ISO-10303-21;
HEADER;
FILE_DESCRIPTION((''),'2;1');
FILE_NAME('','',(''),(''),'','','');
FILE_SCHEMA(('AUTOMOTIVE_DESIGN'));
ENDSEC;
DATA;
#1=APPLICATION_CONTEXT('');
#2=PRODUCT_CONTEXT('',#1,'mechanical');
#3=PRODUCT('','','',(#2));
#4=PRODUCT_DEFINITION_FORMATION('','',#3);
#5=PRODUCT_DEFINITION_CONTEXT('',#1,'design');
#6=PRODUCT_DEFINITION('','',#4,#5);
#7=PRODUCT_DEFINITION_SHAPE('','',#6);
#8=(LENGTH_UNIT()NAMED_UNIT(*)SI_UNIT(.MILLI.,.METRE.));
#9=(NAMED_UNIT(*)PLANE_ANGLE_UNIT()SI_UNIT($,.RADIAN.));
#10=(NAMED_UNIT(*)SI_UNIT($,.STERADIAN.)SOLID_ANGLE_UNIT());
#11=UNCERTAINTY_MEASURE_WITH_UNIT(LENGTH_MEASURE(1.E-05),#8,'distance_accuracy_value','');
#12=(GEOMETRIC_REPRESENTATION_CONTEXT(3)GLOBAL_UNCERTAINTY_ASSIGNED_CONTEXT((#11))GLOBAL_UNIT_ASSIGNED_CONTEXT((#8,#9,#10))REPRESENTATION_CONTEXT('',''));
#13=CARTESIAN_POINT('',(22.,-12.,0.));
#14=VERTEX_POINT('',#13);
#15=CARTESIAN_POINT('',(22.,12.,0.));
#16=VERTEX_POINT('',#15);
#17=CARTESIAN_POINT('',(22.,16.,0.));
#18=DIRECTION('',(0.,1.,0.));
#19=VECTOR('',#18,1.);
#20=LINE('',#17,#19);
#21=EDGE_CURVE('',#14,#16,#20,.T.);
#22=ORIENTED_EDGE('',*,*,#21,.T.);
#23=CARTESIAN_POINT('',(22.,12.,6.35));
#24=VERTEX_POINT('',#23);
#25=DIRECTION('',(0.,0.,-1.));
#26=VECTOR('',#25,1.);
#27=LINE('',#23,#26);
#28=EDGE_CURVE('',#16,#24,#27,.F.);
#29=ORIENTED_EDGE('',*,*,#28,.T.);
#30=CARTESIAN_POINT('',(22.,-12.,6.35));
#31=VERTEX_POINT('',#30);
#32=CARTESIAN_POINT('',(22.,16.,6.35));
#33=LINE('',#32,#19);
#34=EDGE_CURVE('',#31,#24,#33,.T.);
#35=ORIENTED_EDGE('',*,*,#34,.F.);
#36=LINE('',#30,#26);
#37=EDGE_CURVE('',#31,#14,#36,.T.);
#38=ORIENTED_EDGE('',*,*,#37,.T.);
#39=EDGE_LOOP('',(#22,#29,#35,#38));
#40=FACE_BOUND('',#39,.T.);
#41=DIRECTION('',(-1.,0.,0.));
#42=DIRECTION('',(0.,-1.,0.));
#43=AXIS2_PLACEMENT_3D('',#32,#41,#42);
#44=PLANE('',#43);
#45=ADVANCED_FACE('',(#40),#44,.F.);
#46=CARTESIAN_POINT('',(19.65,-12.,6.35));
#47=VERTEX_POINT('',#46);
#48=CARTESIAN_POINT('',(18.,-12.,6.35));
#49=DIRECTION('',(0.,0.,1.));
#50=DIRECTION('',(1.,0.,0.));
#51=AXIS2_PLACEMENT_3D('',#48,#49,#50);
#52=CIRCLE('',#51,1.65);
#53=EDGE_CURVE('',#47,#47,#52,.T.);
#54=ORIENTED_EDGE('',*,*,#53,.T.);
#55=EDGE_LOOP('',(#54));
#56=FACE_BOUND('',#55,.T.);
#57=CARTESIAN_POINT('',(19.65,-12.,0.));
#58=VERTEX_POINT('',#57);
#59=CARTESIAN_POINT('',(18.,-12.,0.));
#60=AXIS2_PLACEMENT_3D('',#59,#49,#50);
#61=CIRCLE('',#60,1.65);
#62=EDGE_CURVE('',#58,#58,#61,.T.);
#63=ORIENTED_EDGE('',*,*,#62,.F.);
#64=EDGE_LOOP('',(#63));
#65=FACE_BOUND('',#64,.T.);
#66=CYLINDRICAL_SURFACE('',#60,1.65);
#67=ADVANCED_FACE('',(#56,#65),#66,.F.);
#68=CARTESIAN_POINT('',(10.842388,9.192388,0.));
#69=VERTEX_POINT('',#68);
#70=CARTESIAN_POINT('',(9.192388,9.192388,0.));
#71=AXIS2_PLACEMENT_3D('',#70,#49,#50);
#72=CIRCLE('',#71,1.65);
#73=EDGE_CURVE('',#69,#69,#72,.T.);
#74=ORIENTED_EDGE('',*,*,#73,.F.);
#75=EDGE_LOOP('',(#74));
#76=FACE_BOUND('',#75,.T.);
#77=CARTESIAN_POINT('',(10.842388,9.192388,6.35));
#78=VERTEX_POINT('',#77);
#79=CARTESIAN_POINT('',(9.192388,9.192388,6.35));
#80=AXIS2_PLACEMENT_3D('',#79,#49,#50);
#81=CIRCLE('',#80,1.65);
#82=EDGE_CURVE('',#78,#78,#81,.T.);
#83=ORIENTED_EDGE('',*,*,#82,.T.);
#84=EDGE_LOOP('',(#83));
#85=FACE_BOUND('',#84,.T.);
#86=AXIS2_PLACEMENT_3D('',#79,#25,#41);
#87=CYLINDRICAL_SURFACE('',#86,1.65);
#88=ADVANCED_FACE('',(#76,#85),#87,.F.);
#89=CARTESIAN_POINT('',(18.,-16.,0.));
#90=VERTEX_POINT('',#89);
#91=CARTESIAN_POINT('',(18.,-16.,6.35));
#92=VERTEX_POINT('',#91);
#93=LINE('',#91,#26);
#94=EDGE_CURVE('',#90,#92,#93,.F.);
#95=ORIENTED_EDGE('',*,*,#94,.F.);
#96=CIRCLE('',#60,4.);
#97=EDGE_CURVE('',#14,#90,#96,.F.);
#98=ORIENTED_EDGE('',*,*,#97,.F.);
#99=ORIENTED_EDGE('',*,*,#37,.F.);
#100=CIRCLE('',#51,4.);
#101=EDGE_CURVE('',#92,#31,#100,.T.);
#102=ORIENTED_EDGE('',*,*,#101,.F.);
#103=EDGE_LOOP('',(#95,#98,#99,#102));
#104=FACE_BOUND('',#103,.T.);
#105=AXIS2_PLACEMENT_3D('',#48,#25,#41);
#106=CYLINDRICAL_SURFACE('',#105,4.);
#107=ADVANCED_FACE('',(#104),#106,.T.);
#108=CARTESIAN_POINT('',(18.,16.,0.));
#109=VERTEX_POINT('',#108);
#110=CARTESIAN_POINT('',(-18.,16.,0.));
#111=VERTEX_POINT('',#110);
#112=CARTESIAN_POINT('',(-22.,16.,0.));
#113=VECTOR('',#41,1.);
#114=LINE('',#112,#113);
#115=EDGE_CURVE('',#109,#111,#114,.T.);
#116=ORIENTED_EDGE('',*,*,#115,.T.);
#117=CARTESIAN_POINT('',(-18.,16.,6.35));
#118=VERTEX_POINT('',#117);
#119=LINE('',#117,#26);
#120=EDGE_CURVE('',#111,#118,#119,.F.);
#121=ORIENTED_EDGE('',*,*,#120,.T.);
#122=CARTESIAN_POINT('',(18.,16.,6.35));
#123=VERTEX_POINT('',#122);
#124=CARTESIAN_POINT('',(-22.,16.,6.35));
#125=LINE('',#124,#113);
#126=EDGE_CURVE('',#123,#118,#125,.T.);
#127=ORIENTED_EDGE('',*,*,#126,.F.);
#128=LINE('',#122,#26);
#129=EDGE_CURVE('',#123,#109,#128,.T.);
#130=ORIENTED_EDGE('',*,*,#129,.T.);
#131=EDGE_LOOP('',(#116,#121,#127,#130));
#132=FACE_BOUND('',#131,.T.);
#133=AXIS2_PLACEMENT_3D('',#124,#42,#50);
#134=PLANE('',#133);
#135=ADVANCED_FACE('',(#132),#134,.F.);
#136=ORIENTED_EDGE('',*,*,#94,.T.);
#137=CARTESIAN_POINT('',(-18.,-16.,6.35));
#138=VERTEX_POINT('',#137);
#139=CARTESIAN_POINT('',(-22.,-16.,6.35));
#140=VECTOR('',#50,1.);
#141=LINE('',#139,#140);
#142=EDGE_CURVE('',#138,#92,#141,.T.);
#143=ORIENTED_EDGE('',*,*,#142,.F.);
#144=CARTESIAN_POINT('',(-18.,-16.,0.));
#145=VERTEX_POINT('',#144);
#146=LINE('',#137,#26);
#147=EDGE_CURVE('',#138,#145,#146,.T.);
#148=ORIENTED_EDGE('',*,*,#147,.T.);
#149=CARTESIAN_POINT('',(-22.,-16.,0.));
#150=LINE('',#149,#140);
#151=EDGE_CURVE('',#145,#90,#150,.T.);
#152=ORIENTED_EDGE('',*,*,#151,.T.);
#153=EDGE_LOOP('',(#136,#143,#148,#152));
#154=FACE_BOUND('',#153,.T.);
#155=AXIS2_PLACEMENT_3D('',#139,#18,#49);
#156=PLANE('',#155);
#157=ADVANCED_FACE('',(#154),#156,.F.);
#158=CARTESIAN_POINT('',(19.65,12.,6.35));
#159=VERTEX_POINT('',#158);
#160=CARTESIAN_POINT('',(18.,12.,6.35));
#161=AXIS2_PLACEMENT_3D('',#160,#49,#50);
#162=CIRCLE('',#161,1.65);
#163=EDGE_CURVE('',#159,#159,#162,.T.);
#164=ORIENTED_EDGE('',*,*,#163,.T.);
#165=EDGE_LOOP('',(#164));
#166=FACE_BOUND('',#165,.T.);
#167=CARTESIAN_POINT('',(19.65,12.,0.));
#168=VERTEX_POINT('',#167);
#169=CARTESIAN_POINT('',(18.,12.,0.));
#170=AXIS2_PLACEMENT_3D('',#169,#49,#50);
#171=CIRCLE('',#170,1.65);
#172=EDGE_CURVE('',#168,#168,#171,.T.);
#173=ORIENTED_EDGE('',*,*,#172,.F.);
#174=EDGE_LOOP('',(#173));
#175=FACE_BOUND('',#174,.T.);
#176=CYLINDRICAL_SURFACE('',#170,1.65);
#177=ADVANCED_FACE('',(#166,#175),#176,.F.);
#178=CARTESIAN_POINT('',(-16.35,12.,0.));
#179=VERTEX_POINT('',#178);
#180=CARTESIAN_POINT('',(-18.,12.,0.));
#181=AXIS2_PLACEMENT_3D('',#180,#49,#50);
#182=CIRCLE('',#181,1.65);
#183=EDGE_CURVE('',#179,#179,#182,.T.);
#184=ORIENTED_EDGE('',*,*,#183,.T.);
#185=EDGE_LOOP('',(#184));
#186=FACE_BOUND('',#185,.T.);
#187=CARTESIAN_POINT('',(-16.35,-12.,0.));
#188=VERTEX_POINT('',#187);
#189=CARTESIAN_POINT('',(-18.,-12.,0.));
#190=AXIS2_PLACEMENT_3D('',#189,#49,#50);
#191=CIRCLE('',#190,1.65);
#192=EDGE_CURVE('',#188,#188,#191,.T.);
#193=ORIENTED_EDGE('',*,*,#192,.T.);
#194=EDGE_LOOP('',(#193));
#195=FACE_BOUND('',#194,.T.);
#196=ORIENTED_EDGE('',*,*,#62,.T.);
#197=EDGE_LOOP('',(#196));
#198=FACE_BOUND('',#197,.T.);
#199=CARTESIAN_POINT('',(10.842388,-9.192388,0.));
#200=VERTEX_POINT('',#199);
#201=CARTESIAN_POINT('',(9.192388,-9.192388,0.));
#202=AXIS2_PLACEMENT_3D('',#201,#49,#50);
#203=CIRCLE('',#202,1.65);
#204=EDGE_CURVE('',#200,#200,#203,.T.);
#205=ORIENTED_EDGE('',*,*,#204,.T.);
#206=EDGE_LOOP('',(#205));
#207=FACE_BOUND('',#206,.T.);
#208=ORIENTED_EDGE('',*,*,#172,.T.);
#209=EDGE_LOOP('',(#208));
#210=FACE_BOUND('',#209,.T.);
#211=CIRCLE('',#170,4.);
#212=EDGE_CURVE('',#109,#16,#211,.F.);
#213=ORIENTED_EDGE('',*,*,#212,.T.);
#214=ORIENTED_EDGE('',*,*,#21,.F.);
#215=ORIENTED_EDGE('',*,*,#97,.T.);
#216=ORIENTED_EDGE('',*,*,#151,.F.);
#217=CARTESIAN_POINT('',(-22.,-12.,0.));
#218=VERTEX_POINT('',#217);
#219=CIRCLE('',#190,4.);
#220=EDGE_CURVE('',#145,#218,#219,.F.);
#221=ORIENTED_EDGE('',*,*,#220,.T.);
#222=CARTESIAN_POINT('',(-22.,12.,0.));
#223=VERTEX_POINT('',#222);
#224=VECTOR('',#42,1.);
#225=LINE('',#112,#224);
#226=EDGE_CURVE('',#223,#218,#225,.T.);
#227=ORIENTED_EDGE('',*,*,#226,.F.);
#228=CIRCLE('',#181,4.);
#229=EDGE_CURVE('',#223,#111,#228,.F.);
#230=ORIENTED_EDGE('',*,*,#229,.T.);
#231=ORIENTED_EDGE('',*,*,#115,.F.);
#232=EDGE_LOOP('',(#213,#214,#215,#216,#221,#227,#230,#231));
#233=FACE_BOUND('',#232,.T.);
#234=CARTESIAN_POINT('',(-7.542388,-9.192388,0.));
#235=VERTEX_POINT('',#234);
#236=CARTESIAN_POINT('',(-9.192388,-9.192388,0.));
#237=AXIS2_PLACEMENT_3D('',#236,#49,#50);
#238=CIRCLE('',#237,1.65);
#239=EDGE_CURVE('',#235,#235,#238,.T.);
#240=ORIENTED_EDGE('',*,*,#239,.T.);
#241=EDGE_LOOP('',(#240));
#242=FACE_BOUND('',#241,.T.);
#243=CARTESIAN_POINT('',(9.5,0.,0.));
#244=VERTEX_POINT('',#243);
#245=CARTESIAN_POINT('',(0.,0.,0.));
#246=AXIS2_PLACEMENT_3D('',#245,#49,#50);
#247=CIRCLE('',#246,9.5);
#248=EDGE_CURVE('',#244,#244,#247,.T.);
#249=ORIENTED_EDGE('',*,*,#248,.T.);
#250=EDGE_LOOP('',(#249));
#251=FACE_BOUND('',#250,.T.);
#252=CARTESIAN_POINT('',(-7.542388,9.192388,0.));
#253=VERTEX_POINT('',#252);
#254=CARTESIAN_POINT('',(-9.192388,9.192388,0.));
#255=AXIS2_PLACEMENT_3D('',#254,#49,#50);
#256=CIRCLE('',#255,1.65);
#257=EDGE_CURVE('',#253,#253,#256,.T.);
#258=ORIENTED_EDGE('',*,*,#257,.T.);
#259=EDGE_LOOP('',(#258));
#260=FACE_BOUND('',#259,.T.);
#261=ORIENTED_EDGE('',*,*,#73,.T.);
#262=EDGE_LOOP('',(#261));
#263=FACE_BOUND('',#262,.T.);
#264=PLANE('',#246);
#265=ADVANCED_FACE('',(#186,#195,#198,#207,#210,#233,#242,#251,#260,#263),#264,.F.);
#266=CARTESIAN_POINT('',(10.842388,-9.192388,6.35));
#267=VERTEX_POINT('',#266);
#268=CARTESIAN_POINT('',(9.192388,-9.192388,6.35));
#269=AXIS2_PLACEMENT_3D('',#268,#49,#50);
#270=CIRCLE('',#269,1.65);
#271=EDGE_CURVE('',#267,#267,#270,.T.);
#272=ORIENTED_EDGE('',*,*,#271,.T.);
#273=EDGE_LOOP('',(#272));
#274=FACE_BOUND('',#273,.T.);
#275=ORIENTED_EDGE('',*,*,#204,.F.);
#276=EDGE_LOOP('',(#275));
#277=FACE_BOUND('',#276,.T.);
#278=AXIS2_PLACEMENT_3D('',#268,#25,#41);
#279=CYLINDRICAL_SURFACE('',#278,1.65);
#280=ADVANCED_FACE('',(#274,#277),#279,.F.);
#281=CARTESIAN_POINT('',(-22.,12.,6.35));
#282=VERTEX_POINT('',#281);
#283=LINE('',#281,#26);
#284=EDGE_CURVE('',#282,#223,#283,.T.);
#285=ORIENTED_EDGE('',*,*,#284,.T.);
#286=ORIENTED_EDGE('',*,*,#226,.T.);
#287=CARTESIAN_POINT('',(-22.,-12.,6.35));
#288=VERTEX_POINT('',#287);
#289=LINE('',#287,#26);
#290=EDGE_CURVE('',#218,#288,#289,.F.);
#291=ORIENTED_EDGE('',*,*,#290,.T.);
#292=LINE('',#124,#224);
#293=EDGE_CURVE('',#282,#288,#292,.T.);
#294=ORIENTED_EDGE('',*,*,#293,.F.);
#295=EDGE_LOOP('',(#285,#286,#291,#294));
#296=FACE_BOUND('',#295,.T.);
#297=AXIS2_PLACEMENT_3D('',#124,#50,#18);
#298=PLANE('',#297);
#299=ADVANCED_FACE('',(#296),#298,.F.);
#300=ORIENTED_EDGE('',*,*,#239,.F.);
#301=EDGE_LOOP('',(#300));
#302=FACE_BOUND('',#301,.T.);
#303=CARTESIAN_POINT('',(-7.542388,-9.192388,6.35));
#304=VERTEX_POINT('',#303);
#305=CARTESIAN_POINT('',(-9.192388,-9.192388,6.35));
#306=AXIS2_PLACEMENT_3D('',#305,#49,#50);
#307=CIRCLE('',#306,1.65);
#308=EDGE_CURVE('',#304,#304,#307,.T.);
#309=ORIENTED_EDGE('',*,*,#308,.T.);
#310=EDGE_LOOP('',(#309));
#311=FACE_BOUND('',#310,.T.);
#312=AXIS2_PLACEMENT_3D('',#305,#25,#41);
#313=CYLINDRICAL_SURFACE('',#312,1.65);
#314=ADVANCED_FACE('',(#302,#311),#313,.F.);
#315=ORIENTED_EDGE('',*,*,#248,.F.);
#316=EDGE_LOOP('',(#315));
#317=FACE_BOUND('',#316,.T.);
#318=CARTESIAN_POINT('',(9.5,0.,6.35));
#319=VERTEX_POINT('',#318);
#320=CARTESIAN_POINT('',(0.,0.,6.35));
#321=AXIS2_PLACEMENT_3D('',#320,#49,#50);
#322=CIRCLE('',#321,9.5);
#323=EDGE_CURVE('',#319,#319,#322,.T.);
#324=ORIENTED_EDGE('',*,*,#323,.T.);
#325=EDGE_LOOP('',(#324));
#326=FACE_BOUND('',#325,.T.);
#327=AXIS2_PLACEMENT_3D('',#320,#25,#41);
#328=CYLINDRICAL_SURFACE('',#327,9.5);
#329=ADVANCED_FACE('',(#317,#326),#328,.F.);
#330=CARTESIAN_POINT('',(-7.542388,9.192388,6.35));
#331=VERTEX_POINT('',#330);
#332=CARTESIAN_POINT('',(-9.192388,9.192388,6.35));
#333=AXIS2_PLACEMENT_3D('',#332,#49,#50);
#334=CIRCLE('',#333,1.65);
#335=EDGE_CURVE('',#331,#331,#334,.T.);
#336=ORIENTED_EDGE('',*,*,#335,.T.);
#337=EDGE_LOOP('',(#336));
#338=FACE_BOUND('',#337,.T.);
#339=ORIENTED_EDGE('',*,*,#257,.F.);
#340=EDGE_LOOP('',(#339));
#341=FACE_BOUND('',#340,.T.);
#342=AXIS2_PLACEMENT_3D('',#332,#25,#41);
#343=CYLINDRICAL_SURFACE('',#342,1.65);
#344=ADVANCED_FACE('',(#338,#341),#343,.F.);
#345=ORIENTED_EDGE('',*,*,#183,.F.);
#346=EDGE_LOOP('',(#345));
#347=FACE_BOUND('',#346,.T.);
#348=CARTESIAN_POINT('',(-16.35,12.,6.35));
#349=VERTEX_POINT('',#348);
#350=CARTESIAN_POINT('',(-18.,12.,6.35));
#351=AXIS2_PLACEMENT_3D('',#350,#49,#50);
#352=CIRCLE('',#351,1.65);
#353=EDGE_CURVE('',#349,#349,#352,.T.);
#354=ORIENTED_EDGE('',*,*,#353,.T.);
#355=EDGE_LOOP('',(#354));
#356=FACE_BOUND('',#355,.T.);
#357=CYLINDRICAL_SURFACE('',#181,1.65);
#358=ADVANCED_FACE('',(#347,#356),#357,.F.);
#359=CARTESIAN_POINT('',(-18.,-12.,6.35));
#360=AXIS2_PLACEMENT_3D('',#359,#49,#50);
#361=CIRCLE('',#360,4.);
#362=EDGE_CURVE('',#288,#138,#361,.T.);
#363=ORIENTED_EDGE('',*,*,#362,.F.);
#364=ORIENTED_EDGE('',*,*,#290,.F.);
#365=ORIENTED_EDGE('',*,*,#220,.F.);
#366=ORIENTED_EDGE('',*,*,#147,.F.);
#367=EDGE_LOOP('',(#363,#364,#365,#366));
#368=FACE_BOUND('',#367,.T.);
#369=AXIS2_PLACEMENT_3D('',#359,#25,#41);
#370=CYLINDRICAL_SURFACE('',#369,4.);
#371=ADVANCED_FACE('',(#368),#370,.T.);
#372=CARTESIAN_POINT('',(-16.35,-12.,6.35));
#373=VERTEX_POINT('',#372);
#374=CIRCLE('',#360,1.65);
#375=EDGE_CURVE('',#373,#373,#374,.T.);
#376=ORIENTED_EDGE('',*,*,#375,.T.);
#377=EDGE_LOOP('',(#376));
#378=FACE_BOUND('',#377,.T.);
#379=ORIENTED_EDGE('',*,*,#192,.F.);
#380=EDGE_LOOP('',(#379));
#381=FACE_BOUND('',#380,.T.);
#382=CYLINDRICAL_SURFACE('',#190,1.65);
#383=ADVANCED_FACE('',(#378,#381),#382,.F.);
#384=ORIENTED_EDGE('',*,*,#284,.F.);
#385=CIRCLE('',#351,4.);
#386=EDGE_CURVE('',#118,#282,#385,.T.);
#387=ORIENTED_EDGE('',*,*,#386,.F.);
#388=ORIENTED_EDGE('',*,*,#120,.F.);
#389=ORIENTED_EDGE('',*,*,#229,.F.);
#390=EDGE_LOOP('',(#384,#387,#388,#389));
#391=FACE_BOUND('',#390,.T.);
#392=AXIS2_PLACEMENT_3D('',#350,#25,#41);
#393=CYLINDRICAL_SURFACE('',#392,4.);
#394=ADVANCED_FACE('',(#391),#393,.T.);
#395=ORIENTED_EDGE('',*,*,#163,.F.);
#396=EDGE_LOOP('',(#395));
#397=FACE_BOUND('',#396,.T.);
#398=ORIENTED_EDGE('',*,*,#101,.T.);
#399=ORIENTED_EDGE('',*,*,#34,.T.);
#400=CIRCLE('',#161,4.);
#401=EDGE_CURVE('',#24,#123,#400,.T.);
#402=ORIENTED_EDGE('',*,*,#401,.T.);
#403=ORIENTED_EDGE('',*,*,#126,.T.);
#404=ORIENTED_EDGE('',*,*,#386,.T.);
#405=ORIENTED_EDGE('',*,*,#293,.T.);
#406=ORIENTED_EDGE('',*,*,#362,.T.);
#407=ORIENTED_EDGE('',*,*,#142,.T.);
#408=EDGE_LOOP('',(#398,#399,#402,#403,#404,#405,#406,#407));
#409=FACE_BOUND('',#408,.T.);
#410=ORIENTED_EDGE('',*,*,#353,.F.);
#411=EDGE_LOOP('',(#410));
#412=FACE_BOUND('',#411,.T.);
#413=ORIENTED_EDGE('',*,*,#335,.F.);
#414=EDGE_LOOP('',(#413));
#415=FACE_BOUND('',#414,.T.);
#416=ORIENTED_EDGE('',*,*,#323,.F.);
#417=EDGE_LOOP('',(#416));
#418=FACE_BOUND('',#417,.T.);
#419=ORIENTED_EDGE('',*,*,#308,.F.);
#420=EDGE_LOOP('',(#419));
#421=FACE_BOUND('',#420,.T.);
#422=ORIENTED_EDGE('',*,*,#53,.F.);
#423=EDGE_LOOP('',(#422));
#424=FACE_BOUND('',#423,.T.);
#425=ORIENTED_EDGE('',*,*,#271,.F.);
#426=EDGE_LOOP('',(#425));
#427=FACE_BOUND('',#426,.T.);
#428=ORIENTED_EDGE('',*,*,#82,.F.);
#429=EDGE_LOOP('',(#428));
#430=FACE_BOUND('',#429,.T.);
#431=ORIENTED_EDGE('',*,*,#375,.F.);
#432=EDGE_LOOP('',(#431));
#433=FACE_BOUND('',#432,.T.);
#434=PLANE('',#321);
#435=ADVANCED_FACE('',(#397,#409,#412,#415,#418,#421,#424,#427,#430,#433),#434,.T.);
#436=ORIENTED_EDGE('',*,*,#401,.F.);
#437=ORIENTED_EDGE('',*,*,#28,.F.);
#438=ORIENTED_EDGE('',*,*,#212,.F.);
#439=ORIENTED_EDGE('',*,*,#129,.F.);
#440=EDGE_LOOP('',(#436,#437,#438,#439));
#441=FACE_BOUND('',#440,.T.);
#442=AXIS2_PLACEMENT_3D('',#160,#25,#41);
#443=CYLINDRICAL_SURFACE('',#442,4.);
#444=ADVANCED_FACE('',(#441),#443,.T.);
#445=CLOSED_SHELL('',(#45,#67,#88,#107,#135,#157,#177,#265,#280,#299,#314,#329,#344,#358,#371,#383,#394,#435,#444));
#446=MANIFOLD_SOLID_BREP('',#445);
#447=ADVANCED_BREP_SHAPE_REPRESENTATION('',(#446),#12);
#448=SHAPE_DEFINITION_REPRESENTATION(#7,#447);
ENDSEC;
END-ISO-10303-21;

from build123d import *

# Parameters (mm, degrees)
SKETCH1_W           = 44
SKETCH1_H           = 32
SKETCH1_R           = 9.5
SKETCH1_R_2         = 1.65
BOSS_EXTRUDE1_DEPTH = 6.35
SKETCH2_R           = 1.65
CUT_EXTRUDE1_DEPTH  = 28.934253167
FILLET1_R           = 4


with BuildPart() as part:
    # Sketch1 → Boss-Extrude1 (new body)
    with BuildSketch(Plane.XY):
        Rectangle(SKETCH1_W, SKETCH1_H)
        Circle(SKETCH1_R, mode=Mode.SUBTRACT)
        with Locations((-9.192388155, 9.192388155)):
            Circle(SKETCH1_R_2, mode=Mode.SUBTRACT)
        with Locations((9.192388155, 9.192388155)):
            Circle(SKETCH1_R_2, mode=Mode.SUBTRACT)
        with Locations((9.192388155, -9.192388155)):
            Circle(SKETCH1_R_2, mode=Mode.SUBTRACT)
        with Locations((-9.192388155, -9.192388155)):
            Circle(SKETCH1_R_2, mode=Mode.SUBTRACT)
    extrude(amount=BOSS_EXTRUDE1_DEPTH)

    # Sketch2 → Cut-Extrude1 (cut, through all)
    with BuildSketch(Plane.XY.offset(6.35)):
        with Locations((-18, 12)):
            Circle(SKETCH2_R)
        with Locations((-18, -12)):
            Circle(SKETCH2_R)
        with Locations((18, -12)):
            Circle(SKETCH2_R)
        with Locations((18, 12)):
            Circle(SKETCH2_R)
    extrude(amount=-CUT_EXTRUDE1_DEPTH, mode=Mode.SUBTRACT)

    # Fillet1
    fillet1_edges = [part.edges().sort_by_distance(p)[0] for p in [
        (-22, 16, 3.175),
        (22, 16, 3.175),
        (22, -16, 3.175),
        (-22, -16, 3.175),
    ]]
    fillet(fillet1_edges, radius=FILLET1_R)


solid = part.part
